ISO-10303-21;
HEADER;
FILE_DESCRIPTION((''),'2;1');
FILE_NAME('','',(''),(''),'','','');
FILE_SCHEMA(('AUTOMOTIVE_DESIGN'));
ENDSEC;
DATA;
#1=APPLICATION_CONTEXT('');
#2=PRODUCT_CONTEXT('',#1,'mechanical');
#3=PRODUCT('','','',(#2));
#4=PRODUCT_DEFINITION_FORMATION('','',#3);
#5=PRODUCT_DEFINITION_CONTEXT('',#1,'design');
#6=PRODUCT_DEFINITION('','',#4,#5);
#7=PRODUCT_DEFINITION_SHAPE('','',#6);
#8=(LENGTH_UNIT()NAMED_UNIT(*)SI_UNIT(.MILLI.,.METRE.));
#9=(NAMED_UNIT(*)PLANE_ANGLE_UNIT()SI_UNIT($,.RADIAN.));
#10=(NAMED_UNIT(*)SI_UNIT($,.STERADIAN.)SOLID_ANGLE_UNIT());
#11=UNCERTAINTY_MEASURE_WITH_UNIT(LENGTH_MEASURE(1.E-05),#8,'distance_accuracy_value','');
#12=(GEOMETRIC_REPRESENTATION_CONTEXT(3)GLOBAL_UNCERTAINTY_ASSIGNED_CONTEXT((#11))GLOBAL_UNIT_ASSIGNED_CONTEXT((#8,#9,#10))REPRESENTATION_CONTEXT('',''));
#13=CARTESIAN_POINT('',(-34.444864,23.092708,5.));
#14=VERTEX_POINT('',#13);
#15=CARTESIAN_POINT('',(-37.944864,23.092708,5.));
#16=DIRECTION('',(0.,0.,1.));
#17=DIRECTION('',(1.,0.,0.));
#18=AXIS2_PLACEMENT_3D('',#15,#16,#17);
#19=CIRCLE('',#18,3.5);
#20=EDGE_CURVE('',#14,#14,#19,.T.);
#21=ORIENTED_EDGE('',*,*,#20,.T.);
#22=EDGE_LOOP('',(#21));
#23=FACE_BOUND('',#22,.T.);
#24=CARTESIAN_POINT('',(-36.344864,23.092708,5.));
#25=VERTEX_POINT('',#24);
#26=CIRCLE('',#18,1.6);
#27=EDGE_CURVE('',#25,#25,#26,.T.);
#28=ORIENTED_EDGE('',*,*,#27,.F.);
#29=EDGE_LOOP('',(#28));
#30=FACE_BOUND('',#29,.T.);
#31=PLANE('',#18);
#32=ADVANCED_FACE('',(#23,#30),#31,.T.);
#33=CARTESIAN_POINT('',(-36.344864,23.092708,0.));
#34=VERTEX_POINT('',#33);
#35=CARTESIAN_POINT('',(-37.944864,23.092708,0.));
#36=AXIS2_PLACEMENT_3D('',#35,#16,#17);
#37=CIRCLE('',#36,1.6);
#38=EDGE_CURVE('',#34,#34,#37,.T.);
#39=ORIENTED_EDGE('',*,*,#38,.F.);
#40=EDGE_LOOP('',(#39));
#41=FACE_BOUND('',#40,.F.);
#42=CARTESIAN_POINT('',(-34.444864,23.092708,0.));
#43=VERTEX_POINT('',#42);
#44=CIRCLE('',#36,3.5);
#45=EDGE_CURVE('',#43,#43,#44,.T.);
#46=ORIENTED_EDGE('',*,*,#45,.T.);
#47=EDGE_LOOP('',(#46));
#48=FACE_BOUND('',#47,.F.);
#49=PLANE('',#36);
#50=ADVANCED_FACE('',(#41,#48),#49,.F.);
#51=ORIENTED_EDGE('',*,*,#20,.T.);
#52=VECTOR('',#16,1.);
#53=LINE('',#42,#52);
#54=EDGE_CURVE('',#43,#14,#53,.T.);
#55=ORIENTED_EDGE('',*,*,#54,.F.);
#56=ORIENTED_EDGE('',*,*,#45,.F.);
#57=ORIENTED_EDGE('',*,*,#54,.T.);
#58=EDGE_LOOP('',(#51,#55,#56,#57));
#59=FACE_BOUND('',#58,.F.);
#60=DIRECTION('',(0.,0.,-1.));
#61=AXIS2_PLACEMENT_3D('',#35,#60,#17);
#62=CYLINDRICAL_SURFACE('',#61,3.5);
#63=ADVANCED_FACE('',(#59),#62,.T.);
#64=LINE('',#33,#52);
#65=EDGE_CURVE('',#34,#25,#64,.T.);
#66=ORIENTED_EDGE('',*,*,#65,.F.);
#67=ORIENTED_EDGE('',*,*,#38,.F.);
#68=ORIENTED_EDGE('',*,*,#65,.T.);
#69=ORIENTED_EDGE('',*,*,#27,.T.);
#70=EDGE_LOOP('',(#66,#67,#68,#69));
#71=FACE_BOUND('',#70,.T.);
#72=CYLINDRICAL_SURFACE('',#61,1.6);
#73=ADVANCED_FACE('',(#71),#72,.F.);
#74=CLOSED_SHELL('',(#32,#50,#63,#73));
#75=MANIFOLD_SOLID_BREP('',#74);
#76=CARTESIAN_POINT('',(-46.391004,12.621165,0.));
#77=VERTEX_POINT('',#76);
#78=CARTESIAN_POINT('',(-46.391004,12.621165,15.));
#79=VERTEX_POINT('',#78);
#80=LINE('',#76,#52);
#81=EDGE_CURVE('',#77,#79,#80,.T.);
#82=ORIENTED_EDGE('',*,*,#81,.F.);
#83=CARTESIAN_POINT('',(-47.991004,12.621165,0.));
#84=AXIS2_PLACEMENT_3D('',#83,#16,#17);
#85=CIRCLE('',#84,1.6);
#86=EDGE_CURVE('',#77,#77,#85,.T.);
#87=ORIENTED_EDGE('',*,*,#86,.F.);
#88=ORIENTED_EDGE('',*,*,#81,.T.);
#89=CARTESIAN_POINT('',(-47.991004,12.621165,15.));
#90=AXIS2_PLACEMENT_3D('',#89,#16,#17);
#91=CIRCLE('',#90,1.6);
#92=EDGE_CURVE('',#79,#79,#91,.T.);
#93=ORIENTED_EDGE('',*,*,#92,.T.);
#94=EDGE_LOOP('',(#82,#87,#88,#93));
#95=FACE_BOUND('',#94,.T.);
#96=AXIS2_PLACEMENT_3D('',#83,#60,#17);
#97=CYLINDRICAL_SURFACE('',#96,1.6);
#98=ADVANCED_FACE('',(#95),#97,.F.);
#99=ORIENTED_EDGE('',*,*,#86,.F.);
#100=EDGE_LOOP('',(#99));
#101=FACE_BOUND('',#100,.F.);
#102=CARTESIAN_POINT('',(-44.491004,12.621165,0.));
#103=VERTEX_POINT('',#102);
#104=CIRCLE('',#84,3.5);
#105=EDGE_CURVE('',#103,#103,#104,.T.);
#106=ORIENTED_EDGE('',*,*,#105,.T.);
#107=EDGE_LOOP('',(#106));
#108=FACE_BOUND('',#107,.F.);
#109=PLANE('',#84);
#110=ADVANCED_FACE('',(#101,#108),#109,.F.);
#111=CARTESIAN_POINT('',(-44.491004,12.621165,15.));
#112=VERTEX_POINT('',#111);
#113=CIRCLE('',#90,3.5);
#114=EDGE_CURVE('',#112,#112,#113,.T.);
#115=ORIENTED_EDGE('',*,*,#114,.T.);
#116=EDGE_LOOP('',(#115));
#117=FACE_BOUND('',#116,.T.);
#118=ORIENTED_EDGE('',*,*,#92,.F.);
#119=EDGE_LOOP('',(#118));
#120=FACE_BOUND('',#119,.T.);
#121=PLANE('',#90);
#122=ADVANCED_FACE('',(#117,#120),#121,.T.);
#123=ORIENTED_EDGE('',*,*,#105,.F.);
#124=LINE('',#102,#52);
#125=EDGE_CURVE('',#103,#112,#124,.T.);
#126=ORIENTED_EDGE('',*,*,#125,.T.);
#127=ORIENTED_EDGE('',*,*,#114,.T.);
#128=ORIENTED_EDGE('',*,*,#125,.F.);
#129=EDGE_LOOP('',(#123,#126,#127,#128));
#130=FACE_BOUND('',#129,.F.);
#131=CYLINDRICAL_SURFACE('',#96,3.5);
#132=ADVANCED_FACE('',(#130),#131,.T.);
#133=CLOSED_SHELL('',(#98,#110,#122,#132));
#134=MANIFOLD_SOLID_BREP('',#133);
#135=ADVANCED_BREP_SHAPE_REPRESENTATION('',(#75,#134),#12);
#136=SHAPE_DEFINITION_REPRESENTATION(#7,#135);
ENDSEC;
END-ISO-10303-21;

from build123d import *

# Parameters (mm, degrees)
F0_R     = 3.5
F0_R_2   = 1.6
F1_DEPTH = 5
F2_DEPTH = 15


with BuildPart() as f1:
    # F0 (on Top) → F1 (new body)
    with BuildSketch(Plane.XY):
        with Locations((-37.944864, 23.092708)):
            Circle(F0_R)
        with Locations((-37.944864, 23.092708)):
            Circle(F0_R_2, mode=Mode.SUBTRACT)
    extrude(amount=F1_DEPTH)


with BuildPart() as f2:
    # F0 (on Top) → F2 (new body)
    with BuildSketch(Plane.XY):
        with Locations((-47.991004, 12.621165)):
            Circle(F0_R)
        with Locations((-47.991004, 12.621165)):
            Circle(F0_R_2, mode=Mode.SUBTRACT)
    extrude(amount=F2_DEPTH)


solid = Compound([f1.part, f2.part])
